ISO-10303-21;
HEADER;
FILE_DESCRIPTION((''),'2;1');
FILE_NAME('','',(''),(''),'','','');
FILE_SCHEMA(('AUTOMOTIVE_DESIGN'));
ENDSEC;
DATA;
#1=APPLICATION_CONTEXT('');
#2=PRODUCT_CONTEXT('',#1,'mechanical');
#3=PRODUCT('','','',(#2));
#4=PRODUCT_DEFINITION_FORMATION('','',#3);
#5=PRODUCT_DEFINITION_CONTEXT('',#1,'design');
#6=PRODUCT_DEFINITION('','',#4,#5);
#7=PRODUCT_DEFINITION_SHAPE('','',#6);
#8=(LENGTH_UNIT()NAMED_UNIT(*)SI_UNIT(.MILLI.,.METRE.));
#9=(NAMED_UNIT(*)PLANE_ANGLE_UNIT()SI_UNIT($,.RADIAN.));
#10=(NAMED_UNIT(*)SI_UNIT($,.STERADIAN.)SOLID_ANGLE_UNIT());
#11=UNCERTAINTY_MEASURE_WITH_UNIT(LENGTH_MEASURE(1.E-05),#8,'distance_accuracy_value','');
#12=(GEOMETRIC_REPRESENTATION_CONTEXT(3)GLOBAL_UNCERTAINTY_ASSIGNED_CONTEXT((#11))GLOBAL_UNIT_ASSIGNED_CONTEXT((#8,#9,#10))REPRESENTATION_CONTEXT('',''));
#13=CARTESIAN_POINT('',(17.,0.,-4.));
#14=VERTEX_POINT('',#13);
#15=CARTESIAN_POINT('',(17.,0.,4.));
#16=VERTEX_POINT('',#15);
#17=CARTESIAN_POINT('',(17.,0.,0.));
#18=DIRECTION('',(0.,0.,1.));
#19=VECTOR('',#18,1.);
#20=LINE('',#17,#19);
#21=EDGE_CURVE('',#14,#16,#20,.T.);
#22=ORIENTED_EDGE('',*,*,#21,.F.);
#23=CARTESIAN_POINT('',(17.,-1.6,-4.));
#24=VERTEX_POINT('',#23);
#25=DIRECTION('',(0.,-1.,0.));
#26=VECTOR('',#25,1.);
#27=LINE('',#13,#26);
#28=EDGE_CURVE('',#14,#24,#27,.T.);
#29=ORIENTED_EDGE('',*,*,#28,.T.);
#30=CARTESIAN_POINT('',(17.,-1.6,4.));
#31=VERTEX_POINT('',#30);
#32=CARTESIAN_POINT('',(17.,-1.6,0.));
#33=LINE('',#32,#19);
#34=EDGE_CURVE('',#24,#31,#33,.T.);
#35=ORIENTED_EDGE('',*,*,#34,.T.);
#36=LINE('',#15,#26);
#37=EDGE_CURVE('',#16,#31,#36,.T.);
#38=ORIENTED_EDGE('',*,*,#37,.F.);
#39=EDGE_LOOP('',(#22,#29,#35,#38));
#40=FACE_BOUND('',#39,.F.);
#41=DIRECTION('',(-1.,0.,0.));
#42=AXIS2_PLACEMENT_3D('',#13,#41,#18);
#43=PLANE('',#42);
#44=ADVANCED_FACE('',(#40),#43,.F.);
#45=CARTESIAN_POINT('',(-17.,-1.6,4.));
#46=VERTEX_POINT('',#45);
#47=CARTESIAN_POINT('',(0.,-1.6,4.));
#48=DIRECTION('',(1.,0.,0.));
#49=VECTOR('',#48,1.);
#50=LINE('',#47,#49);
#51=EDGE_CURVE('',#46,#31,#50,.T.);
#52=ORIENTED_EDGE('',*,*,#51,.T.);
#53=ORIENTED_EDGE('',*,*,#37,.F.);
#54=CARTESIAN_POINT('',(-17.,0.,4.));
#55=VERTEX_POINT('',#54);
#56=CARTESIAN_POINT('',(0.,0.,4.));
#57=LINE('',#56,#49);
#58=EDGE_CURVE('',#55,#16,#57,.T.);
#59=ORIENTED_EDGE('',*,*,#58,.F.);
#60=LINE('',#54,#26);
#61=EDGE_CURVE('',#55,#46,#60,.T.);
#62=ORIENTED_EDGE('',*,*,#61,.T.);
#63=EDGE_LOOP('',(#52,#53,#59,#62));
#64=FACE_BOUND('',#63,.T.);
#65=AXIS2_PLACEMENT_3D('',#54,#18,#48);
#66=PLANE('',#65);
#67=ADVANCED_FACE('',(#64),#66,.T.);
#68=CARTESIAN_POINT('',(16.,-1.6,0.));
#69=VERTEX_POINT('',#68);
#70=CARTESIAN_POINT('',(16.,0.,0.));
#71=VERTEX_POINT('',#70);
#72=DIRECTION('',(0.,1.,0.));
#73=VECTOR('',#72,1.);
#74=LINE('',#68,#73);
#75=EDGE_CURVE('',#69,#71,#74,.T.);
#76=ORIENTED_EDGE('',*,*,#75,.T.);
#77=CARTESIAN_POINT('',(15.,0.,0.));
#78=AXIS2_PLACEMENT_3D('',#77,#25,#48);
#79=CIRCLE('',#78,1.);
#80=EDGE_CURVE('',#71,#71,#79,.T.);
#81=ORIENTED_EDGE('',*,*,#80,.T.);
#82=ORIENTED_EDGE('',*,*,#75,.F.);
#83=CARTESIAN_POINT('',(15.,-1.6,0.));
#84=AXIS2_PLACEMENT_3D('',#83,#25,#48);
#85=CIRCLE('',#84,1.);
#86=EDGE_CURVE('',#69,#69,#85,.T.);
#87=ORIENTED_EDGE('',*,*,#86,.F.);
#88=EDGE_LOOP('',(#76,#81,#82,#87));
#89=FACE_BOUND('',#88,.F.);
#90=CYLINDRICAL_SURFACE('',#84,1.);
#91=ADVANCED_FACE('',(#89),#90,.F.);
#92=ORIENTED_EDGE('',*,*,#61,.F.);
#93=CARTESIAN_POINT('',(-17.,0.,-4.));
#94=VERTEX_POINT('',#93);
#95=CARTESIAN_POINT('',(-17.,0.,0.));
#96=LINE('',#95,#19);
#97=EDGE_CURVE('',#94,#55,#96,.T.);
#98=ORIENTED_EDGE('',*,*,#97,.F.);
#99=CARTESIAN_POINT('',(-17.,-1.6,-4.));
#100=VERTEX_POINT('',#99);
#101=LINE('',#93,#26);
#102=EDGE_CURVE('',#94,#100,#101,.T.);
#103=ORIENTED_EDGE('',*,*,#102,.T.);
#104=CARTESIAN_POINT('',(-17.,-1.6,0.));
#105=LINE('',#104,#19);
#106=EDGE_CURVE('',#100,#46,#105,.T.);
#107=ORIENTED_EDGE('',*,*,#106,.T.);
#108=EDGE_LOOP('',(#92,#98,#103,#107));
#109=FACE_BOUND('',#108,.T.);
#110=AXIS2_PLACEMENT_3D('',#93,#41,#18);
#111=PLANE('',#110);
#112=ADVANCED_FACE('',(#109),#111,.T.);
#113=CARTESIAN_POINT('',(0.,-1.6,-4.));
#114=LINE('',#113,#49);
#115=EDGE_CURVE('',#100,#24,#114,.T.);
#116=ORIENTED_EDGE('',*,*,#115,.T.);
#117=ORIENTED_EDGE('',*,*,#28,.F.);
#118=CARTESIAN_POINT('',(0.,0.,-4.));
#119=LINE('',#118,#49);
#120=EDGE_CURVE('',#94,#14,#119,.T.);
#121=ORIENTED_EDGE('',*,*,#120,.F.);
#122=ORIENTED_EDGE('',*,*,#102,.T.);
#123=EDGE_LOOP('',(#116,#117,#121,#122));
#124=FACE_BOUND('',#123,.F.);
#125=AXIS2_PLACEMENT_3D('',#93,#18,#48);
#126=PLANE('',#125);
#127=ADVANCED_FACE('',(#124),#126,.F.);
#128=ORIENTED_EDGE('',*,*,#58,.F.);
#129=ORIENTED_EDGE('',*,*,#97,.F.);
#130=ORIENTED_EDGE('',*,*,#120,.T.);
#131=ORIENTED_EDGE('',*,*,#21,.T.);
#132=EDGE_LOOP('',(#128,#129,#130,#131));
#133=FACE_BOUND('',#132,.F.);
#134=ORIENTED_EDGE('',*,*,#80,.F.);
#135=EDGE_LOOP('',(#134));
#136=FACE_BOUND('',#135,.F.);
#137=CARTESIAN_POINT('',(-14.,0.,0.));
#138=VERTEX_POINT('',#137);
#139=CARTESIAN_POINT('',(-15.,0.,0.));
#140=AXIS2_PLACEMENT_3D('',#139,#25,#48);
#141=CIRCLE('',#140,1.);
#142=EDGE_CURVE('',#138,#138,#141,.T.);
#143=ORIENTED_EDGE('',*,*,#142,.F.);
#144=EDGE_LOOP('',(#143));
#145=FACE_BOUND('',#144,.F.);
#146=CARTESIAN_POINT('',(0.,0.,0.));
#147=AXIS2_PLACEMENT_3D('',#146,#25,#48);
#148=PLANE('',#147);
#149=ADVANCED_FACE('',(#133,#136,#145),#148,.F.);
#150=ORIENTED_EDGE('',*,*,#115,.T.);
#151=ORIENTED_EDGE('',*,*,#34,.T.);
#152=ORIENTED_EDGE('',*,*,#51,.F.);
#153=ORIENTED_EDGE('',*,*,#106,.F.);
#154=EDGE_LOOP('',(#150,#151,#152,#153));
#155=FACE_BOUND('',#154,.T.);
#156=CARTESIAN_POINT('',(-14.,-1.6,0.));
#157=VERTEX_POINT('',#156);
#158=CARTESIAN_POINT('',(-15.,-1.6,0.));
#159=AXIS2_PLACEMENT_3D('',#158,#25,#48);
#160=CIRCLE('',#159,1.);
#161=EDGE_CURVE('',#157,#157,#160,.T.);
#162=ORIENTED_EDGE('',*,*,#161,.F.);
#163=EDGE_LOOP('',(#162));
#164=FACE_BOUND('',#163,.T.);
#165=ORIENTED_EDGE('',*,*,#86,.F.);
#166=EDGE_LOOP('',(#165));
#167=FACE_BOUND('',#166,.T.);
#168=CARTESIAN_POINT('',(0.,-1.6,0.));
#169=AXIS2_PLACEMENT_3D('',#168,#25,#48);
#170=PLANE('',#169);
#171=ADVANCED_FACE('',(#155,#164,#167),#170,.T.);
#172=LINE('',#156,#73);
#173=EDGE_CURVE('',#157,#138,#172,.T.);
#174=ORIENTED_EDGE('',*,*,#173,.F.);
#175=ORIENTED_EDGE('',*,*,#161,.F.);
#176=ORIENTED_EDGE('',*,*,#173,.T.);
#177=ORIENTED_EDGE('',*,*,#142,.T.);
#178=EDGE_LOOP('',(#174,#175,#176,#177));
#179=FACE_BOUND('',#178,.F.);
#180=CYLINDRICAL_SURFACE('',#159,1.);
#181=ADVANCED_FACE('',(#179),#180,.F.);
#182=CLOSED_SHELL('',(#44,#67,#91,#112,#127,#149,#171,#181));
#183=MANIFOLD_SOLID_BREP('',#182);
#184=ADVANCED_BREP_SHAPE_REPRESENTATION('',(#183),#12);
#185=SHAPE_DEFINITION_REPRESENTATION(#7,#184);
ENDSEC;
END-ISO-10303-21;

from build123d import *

# Parameters (mm, degrees)
F0_W     = 34
F0_H     = 8
F1_DEPTH = 1.6
F2_R     = 1
F3_DEPTH = 1.601


with BuildPart() as f1:
    # F0 (on Front) → F1 (new body)
    with BuildSketch(Plane.XZ):
        Rectangle(F0_W, F0_H)
    extrude(amount=F1_DEPTH)

    # F2 (on face) → F3 (cut, through all)
    with BuildSketch(Plane.XZ.offset(1.6)):
        with Locations((-15, 0)):
            Circle(F2_R)
        with Locations((15, 0)):
            Circle(F2_R)
    extrude(amount=-F3_DEPTH, mode=Mode.SUBTRACT)


solid = f1.part
